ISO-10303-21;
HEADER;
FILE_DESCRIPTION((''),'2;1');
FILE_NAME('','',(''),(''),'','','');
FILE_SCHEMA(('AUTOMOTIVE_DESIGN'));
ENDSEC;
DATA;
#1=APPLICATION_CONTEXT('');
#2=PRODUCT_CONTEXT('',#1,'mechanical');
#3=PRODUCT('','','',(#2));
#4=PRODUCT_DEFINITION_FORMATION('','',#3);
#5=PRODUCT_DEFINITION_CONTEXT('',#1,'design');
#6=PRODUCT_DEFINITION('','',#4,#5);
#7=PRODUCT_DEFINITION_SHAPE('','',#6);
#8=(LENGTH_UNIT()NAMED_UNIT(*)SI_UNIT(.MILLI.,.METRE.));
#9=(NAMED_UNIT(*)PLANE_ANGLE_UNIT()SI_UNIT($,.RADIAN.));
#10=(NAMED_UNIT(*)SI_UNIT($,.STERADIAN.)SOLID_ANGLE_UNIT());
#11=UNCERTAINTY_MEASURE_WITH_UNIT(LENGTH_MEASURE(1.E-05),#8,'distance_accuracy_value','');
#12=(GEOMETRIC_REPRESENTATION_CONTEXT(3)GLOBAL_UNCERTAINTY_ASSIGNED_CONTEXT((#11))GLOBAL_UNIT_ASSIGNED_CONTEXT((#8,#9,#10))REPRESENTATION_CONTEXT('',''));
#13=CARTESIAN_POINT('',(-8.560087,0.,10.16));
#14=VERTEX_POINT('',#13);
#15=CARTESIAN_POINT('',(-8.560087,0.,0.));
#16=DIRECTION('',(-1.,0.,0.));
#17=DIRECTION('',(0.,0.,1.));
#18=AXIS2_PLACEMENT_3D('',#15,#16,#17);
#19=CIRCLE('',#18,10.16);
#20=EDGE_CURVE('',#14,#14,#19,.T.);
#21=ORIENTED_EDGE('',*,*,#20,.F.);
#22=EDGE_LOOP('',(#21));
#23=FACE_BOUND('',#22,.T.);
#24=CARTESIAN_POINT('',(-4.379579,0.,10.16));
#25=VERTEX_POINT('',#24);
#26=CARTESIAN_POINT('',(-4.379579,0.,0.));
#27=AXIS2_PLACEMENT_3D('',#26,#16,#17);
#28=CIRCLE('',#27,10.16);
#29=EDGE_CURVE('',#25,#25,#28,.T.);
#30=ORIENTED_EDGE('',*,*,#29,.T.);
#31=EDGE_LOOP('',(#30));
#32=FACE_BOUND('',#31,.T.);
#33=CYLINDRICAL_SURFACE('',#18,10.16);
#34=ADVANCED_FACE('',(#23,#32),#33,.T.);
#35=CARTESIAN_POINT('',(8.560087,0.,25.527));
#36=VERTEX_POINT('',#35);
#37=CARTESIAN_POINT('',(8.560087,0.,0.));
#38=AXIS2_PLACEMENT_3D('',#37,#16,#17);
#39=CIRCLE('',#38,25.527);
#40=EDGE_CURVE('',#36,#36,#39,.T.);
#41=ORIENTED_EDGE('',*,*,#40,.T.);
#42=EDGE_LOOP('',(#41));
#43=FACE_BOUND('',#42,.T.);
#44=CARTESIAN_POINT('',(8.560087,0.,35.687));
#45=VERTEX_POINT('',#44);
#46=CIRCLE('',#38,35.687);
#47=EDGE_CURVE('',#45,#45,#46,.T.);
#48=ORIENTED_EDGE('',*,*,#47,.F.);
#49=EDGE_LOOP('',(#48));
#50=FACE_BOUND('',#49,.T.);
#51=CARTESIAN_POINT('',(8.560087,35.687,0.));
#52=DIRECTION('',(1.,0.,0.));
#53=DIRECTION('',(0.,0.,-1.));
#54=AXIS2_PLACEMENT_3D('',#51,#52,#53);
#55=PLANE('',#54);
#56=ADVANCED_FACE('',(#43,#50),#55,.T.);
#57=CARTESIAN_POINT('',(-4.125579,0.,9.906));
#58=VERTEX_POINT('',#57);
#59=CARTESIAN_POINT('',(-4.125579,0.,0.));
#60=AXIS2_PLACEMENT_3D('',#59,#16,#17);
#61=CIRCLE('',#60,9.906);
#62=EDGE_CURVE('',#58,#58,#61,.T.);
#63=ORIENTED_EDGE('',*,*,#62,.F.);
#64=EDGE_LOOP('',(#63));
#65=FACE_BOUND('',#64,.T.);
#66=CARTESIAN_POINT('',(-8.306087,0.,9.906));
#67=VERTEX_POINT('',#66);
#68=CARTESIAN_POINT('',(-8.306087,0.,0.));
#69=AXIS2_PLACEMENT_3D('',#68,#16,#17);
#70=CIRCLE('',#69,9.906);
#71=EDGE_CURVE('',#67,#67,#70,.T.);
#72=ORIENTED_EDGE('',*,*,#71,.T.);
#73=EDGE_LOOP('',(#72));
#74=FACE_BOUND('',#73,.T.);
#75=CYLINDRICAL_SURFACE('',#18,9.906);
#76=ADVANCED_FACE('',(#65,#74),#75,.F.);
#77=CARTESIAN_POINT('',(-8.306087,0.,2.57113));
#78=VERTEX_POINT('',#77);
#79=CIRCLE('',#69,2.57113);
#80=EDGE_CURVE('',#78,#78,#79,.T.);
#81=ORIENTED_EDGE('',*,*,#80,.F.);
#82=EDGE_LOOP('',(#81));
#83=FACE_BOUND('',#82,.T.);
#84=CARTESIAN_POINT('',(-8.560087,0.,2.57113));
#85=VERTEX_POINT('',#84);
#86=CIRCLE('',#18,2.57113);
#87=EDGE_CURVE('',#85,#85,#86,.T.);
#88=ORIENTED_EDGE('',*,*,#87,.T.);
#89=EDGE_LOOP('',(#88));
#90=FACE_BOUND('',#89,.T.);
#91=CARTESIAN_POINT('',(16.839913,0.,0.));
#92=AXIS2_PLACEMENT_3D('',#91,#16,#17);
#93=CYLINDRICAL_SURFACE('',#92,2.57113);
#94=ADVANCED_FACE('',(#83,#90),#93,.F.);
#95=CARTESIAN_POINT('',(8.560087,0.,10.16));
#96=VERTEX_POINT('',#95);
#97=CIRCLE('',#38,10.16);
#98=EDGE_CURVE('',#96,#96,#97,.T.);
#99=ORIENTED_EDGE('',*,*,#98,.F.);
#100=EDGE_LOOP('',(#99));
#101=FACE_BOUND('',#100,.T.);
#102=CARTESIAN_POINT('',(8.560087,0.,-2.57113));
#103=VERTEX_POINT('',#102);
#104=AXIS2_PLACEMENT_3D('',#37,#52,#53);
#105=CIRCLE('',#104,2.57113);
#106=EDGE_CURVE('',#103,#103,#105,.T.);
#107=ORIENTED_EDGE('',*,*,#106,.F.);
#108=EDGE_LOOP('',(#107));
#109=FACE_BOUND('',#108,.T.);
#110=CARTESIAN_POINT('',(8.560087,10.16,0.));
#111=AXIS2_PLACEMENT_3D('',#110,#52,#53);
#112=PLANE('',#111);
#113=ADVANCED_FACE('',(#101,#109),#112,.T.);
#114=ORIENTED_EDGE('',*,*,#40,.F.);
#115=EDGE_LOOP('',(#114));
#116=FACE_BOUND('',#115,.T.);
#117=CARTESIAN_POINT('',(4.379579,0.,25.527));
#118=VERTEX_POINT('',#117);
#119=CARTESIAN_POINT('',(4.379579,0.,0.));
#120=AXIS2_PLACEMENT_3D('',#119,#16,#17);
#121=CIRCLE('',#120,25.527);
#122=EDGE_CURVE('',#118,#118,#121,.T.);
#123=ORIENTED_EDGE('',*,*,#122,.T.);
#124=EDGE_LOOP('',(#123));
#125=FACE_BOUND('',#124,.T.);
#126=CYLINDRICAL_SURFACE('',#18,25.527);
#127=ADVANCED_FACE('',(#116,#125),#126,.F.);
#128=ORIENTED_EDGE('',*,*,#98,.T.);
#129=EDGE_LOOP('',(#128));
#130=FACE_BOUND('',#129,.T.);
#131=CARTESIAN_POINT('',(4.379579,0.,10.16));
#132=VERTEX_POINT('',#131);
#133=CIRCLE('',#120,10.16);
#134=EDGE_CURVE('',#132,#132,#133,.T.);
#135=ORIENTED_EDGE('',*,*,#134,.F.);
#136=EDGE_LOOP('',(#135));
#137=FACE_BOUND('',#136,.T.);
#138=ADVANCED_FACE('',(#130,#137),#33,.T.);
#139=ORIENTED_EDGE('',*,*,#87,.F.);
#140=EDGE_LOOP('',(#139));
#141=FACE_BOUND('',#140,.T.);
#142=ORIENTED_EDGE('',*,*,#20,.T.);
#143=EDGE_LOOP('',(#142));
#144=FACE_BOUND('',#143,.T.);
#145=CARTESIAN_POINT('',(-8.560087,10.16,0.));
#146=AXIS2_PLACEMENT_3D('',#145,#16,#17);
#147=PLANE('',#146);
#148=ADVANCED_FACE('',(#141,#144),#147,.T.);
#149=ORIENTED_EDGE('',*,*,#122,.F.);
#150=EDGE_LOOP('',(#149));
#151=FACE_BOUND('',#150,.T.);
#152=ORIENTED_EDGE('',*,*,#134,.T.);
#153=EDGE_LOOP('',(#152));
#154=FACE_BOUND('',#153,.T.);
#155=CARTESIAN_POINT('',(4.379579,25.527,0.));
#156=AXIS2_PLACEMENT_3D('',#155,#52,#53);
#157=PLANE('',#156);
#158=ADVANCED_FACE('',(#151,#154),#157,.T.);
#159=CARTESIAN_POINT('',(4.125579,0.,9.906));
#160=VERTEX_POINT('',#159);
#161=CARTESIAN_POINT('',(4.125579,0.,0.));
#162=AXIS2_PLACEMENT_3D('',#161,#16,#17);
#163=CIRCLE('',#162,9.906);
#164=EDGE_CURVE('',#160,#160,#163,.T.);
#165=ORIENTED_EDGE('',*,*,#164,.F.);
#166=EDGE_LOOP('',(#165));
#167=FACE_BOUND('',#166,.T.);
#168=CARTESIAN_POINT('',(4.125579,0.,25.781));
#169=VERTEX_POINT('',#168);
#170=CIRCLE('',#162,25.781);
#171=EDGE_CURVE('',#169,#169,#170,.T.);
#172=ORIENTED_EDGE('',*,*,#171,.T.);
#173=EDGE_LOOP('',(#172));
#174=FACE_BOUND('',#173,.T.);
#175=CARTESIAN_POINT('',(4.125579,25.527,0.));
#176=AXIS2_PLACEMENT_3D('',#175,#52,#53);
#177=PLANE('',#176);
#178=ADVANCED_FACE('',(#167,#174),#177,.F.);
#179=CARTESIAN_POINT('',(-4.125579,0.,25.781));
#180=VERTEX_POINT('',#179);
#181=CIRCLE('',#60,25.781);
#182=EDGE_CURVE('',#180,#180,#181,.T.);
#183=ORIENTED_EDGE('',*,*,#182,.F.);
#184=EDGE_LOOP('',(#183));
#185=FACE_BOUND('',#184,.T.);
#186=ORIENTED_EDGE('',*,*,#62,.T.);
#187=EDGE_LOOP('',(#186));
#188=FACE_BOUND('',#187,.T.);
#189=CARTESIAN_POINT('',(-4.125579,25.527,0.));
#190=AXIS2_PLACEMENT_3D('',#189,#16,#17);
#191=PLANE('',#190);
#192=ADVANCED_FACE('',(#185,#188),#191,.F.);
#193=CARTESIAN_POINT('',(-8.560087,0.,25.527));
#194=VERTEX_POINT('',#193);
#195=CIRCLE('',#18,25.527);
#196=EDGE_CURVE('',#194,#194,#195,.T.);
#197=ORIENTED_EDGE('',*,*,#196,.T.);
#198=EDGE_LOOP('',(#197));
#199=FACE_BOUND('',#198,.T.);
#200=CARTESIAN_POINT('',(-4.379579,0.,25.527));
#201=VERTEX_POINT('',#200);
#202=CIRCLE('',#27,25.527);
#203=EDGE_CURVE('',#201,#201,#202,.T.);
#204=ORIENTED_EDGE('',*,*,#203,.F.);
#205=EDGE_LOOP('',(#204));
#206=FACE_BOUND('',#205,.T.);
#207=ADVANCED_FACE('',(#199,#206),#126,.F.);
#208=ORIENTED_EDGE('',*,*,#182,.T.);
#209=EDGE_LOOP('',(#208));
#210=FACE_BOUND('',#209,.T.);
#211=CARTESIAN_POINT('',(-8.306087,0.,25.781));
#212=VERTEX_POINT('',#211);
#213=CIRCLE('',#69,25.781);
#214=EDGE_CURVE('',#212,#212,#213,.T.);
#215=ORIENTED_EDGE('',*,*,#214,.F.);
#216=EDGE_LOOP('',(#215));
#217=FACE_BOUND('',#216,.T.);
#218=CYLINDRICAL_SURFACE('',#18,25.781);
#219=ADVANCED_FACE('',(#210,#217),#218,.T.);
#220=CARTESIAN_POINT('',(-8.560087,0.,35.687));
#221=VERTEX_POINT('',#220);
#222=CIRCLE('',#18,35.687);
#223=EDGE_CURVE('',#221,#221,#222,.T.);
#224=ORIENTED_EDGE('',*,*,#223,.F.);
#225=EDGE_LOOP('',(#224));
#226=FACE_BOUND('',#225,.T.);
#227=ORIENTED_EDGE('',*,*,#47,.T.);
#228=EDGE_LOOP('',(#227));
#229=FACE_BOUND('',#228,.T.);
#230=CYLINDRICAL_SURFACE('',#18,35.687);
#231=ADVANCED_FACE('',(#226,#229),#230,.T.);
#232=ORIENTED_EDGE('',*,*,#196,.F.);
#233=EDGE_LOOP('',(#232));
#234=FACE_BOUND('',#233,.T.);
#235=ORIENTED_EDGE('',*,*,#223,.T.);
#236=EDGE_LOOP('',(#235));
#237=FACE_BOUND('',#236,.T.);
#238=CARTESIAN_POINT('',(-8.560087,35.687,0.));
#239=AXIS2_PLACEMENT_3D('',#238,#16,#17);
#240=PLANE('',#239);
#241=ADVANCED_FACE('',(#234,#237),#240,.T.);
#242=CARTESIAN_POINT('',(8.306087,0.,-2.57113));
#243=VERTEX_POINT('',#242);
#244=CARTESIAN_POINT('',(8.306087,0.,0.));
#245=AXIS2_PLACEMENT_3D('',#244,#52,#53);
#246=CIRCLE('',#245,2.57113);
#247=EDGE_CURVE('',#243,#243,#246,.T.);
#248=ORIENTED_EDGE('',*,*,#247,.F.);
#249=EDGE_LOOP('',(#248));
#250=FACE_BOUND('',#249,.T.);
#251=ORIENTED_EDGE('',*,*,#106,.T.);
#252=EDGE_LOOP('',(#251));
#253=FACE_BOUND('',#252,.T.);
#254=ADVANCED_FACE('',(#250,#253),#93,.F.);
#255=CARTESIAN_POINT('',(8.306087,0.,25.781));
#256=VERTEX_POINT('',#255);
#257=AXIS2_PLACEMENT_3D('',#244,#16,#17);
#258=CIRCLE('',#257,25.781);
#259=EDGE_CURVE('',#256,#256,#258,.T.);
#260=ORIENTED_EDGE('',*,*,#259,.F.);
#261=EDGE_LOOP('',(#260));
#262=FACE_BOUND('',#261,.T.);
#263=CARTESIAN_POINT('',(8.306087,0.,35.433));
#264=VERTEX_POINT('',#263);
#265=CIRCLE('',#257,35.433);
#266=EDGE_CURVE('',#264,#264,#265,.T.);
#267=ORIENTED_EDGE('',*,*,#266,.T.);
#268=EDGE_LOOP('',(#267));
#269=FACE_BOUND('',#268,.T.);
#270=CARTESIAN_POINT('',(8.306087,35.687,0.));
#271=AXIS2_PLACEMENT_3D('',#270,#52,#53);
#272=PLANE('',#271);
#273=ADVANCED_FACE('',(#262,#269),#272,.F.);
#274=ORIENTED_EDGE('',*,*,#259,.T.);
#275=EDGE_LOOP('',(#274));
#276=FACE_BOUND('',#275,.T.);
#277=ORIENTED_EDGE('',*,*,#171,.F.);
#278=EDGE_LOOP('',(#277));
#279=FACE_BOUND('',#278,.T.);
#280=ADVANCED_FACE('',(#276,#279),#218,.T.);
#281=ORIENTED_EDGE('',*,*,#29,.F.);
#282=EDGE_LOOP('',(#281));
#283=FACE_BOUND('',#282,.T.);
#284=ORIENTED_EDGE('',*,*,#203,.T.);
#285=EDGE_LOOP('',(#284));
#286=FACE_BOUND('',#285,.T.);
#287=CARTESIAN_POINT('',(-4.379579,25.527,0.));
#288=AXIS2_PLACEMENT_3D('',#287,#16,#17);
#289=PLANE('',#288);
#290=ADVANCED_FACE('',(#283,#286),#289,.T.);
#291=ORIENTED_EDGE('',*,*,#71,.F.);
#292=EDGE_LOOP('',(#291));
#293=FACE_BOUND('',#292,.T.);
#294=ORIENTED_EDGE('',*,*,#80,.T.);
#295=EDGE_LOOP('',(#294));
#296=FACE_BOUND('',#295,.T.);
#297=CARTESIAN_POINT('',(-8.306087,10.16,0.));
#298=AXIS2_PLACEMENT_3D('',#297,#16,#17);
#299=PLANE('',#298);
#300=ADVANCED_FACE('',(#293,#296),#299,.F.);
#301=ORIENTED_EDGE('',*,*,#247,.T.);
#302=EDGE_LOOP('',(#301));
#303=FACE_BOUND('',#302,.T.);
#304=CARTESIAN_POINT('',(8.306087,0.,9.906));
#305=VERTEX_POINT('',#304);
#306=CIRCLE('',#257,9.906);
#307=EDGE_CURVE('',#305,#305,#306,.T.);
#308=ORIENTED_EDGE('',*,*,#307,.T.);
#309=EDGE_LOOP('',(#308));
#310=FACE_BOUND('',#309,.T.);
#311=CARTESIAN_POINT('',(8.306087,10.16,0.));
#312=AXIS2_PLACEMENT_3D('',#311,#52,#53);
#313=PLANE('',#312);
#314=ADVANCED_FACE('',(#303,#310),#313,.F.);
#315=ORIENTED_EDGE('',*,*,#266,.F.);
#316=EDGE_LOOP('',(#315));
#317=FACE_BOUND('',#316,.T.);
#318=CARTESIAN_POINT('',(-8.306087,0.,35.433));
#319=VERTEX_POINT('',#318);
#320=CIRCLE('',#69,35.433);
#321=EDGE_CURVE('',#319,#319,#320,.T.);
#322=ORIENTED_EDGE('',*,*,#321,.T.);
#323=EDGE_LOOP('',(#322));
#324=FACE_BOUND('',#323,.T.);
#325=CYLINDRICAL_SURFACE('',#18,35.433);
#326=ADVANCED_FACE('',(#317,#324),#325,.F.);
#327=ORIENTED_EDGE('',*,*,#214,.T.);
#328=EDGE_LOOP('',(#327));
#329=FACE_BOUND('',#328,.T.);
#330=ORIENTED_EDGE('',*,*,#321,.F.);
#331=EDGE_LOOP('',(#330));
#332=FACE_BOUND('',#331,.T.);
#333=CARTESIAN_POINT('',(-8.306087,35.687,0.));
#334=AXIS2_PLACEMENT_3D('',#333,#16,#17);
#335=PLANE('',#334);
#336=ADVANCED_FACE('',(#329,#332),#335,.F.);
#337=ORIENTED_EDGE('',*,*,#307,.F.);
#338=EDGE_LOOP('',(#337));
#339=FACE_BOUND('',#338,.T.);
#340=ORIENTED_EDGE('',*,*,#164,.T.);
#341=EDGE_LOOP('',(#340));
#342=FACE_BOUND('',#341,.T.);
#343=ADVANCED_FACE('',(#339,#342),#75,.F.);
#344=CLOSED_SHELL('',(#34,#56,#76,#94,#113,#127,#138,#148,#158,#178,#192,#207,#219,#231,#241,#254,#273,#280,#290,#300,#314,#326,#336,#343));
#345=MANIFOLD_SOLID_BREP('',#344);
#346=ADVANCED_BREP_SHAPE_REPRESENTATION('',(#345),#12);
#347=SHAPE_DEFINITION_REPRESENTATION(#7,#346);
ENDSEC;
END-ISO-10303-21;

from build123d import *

# Parameters (mm, degrees)
SKETCH2_R          = 2.571129816
CUT_EXTRUDE2_DEPTH = 25.4


with BuildPart() as part:
    # Sketch1 → Revolve-Thin3 (revolve)
    with BuildSketch(Plane.XY):
        Polygon((0.497679461, 0), (8.560086725, 0), (8.560086725, 10.16), (4.379579254, 10.16), (4.379579254, 25.527), (8.560086725, 25.527), (8.560086725, 35.687), (-8.560086725, 35.687), (-8.560086725, 25.527), (-4.379579254, 25.527), (-4.379579254, 10.16), (-8.560086725, 10.16), (-8.560086725, 0), (-0.497679461, 0), (-0.497679461, 0.254), (-8.306086725, 0.254), (-8.306086725, 9.906), (-4.125579254, 9.906), (-4.125579254, 25.781), (-8.306086725, 25.781), (-8.306086725, 35.433), (8.306086725, 35.433), (8.306086725, 25.781), (4.125579254, 25.781), (4.125579254, 9.906), (8.306086725, 9.906), (8.306086725, 0.254), (0.497679461, 0.254), align=None)
    revolve(axis=Axis((-8.560086725, 0, 0), (1, 0, 0)))

    # Sketch2 → Cut-Extrude2 (cut)
    with BuildSketch(Plane.ZY.offset(8.560086725)):
        Circle(SKETCH2_R)
    extrude(amount=-CUT_EXTRUDE2_DEPTH, mode=Mode.SUBTRACT)


solid = part.part
